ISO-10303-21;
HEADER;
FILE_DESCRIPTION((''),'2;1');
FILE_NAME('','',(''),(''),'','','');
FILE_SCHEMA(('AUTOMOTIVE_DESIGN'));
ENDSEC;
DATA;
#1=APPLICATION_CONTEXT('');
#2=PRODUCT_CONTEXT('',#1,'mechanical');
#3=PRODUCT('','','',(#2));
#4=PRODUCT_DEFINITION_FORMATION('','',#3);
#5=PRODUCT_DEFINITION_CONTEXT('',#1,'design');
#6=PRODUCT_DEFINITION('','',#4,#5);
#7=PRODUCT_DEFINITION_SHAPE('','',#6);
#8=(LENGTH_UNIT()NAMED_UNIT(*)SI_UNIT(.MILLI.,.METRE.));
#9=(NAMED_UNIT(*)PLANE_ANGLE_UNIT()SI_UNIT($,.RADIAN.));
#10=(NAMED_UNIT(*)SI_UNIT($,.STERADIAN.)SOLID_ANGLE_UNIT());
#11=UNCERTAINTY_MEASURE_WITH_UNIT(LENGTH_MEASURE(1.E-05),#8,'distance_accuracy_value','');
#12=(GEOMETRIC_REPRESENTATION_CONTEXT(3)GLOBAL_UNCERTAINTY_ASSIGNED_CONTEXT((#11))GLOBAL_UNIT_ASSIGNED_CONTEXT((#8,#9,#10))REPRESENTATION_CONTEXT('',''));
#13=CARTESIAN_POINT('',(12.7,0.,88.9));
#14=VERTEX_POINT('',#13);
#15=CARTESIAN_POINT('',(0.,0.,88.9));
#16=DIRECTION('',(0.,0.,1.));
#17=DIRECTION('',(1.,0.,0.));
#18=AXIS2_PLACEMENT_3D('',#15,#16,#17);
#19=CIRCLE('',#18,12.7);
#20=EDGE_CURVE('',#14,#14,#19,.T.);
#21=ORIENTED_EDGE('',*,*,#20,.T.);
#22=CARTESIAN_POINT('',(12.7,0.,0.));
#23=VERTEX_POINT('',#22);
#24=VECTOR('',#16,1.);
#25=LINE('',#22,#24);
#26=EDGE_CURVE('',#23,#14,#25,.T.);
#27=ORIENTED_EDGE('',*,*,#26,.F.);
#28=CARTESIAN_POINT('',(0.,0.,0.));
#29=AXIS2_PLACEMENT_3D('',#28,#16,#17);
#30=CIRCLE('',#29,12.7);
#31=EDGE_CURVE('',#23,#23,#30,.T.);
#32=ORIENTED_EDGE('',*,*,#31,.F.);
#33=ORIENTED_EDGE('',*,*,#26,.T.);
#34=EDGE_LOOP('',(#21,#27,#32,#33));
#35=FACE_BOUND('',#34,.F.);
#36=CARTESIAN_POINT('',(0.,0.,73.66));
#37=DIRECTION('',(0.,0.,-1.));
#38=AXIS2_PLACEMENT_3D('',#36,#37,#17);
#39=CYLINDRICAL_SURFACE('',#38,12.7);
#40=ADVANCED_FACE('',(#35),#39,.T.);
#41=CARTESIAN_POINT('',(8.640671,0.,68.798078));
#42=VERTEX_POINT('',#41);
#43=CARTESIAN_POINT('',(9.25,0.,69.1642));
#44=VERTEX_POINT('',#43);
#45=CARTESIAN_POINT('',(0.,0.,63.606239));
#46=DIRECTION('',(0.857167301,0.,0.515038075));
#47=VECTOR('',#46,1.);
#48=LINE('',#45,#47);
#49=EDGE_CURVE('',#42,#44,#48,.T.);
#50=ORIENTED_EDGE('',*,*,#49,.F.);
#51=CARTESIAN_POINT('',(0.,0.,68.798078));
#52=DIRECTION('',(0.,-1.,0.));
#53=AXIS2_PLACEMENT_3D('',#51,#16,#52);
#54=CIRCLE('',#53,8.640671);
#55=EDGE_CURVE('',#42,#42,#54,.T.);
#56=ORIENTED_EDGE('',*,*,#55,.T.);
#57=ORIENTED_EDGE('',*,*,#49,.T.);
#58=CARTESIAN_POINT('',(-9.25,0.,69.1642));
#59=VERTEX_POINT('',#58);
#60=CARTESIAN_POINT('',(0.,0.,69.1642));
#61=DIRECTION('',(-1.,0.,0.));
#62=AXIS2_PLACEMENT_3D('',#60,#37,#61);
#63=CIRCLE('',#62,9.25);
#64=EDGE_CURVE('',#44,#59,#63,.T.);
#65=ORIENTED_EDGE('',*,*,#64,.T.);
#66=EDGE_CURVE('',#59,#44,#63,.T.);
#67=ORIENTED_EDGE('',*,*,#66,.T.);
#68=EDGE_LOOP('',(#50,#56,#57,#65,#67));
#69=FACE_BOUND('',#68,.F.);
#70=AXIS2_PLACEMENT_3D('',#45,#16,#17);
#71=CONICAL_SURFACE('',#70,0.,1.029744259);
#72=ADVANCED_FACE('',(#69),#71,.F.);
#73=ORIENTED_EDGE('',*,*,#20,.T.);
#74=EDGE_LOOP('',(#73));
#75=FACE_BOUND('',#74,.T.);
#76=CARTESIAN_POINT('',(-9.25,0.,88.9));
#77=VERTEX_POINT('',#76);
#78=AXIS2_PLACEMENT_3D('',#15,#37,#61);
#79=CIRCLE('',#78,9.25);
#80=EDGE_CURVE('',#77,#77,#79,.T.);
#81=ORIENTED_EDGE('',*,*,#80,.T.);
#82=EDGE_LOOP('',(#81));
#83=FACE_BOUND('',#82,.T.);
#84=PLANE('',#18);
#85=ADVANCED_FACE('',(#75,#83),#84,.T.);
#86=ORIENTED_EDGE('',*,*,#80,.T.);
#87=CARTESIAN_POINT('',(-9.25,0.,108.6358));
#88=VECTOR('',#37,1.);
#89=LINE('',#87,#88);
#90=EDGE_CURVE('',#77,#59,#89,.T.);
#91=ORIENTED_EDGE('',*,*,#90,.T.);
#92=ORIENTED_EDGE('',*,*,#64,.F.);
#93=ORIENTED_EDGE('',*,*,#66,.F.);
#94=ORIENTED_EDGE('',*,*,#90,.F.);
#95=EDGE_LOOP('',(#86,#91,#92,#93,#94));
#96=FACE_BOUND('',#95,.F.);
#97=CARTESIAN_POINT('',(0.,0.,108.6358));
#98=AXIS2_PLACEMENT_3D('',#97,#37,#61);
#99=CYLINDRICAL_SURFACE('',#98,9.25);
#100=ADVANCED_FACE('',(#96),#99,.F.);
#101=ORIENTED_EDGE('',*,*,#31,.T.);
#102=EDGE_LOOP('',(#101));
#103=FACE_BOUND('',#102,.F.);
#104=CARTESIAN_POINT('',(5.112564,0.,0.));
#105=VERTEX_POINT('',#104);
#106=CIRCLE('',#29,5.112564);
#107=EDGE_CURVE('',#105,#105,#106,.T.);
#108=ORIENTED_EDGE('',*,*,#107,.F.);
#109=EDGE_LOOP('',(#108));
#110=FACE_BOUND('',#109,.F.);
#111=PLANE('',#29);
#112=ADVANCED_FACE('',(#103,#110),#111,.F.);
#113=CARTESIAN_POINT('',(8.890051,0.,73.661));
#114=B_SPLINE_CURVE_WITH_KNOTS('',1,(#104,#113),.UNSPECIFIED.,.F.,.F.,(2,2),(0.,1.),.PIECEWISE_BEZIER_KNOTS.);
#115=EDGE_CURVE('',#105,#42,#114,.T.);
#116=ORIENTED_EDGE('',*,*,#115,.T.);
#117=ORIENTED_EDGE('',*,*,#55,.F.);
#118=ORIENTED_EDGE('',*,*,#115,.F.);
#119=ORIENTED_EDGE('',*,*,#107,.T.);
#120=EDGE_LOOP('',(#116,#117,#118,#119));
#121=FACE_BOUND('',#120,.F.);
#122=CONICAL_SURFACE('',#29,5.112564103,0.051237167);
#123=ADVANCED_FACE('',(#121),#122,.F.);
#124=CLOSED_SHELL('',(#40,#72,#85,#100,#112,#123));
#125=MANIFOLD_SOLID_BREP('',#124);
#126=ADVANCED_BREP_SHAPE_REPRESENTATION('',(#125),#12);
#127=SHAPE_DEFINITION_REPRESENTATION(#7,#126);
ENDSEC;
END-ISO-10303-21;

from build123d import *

# Parameters (mm, degrees)
F0_R     = 12.7
F1_DEPTH = 73.66
F2_R     = 5.1125641025
F3_DEPTH = 73.661
F3_TAPER = -2.9356734464
F4_R     = 12.7
F5_DEPTH = 15.24
F8_D     = 18.5
F8_DEPTH = 19.7358
F8_TIP   = 5.557960726


with BuildPart() as f1:
    # F0 (on Top) → F1 (new body)
    with BuildSketch(Plane.XY):
        Circle(F0_R)
    extrude(amount=F1_DEPTH)

    # F2 (on Top) → F3 (cut, through all)
    with BuildSketch(Plane.XY):
        Circle(F2_R)
    extrude(amount=F3_DEPTH, taper=F3_TAPER, mode=Mode.SUBTRACT)

    # F4 (on face) → F5 (join)
    with BuildSketch(Plane.XY.offset(73.66)):
        Circle(F4_R)
    extrude(amount=F5_DEPTH)

    # F8
    with Locations(Plane.XY.offset(88.9)):
        with Locations((0, 0)):
            Hole(F8_D / 2, depth=F8_DEPTH)
            with Locations((0, 0, -(F8_DEPTH + F8_TIP / 2))):  # 118° drill point
                Cone(0, F8_D / 2, F8_TIP, mode=Mode.SUBTRACT)


solid = f1.part
